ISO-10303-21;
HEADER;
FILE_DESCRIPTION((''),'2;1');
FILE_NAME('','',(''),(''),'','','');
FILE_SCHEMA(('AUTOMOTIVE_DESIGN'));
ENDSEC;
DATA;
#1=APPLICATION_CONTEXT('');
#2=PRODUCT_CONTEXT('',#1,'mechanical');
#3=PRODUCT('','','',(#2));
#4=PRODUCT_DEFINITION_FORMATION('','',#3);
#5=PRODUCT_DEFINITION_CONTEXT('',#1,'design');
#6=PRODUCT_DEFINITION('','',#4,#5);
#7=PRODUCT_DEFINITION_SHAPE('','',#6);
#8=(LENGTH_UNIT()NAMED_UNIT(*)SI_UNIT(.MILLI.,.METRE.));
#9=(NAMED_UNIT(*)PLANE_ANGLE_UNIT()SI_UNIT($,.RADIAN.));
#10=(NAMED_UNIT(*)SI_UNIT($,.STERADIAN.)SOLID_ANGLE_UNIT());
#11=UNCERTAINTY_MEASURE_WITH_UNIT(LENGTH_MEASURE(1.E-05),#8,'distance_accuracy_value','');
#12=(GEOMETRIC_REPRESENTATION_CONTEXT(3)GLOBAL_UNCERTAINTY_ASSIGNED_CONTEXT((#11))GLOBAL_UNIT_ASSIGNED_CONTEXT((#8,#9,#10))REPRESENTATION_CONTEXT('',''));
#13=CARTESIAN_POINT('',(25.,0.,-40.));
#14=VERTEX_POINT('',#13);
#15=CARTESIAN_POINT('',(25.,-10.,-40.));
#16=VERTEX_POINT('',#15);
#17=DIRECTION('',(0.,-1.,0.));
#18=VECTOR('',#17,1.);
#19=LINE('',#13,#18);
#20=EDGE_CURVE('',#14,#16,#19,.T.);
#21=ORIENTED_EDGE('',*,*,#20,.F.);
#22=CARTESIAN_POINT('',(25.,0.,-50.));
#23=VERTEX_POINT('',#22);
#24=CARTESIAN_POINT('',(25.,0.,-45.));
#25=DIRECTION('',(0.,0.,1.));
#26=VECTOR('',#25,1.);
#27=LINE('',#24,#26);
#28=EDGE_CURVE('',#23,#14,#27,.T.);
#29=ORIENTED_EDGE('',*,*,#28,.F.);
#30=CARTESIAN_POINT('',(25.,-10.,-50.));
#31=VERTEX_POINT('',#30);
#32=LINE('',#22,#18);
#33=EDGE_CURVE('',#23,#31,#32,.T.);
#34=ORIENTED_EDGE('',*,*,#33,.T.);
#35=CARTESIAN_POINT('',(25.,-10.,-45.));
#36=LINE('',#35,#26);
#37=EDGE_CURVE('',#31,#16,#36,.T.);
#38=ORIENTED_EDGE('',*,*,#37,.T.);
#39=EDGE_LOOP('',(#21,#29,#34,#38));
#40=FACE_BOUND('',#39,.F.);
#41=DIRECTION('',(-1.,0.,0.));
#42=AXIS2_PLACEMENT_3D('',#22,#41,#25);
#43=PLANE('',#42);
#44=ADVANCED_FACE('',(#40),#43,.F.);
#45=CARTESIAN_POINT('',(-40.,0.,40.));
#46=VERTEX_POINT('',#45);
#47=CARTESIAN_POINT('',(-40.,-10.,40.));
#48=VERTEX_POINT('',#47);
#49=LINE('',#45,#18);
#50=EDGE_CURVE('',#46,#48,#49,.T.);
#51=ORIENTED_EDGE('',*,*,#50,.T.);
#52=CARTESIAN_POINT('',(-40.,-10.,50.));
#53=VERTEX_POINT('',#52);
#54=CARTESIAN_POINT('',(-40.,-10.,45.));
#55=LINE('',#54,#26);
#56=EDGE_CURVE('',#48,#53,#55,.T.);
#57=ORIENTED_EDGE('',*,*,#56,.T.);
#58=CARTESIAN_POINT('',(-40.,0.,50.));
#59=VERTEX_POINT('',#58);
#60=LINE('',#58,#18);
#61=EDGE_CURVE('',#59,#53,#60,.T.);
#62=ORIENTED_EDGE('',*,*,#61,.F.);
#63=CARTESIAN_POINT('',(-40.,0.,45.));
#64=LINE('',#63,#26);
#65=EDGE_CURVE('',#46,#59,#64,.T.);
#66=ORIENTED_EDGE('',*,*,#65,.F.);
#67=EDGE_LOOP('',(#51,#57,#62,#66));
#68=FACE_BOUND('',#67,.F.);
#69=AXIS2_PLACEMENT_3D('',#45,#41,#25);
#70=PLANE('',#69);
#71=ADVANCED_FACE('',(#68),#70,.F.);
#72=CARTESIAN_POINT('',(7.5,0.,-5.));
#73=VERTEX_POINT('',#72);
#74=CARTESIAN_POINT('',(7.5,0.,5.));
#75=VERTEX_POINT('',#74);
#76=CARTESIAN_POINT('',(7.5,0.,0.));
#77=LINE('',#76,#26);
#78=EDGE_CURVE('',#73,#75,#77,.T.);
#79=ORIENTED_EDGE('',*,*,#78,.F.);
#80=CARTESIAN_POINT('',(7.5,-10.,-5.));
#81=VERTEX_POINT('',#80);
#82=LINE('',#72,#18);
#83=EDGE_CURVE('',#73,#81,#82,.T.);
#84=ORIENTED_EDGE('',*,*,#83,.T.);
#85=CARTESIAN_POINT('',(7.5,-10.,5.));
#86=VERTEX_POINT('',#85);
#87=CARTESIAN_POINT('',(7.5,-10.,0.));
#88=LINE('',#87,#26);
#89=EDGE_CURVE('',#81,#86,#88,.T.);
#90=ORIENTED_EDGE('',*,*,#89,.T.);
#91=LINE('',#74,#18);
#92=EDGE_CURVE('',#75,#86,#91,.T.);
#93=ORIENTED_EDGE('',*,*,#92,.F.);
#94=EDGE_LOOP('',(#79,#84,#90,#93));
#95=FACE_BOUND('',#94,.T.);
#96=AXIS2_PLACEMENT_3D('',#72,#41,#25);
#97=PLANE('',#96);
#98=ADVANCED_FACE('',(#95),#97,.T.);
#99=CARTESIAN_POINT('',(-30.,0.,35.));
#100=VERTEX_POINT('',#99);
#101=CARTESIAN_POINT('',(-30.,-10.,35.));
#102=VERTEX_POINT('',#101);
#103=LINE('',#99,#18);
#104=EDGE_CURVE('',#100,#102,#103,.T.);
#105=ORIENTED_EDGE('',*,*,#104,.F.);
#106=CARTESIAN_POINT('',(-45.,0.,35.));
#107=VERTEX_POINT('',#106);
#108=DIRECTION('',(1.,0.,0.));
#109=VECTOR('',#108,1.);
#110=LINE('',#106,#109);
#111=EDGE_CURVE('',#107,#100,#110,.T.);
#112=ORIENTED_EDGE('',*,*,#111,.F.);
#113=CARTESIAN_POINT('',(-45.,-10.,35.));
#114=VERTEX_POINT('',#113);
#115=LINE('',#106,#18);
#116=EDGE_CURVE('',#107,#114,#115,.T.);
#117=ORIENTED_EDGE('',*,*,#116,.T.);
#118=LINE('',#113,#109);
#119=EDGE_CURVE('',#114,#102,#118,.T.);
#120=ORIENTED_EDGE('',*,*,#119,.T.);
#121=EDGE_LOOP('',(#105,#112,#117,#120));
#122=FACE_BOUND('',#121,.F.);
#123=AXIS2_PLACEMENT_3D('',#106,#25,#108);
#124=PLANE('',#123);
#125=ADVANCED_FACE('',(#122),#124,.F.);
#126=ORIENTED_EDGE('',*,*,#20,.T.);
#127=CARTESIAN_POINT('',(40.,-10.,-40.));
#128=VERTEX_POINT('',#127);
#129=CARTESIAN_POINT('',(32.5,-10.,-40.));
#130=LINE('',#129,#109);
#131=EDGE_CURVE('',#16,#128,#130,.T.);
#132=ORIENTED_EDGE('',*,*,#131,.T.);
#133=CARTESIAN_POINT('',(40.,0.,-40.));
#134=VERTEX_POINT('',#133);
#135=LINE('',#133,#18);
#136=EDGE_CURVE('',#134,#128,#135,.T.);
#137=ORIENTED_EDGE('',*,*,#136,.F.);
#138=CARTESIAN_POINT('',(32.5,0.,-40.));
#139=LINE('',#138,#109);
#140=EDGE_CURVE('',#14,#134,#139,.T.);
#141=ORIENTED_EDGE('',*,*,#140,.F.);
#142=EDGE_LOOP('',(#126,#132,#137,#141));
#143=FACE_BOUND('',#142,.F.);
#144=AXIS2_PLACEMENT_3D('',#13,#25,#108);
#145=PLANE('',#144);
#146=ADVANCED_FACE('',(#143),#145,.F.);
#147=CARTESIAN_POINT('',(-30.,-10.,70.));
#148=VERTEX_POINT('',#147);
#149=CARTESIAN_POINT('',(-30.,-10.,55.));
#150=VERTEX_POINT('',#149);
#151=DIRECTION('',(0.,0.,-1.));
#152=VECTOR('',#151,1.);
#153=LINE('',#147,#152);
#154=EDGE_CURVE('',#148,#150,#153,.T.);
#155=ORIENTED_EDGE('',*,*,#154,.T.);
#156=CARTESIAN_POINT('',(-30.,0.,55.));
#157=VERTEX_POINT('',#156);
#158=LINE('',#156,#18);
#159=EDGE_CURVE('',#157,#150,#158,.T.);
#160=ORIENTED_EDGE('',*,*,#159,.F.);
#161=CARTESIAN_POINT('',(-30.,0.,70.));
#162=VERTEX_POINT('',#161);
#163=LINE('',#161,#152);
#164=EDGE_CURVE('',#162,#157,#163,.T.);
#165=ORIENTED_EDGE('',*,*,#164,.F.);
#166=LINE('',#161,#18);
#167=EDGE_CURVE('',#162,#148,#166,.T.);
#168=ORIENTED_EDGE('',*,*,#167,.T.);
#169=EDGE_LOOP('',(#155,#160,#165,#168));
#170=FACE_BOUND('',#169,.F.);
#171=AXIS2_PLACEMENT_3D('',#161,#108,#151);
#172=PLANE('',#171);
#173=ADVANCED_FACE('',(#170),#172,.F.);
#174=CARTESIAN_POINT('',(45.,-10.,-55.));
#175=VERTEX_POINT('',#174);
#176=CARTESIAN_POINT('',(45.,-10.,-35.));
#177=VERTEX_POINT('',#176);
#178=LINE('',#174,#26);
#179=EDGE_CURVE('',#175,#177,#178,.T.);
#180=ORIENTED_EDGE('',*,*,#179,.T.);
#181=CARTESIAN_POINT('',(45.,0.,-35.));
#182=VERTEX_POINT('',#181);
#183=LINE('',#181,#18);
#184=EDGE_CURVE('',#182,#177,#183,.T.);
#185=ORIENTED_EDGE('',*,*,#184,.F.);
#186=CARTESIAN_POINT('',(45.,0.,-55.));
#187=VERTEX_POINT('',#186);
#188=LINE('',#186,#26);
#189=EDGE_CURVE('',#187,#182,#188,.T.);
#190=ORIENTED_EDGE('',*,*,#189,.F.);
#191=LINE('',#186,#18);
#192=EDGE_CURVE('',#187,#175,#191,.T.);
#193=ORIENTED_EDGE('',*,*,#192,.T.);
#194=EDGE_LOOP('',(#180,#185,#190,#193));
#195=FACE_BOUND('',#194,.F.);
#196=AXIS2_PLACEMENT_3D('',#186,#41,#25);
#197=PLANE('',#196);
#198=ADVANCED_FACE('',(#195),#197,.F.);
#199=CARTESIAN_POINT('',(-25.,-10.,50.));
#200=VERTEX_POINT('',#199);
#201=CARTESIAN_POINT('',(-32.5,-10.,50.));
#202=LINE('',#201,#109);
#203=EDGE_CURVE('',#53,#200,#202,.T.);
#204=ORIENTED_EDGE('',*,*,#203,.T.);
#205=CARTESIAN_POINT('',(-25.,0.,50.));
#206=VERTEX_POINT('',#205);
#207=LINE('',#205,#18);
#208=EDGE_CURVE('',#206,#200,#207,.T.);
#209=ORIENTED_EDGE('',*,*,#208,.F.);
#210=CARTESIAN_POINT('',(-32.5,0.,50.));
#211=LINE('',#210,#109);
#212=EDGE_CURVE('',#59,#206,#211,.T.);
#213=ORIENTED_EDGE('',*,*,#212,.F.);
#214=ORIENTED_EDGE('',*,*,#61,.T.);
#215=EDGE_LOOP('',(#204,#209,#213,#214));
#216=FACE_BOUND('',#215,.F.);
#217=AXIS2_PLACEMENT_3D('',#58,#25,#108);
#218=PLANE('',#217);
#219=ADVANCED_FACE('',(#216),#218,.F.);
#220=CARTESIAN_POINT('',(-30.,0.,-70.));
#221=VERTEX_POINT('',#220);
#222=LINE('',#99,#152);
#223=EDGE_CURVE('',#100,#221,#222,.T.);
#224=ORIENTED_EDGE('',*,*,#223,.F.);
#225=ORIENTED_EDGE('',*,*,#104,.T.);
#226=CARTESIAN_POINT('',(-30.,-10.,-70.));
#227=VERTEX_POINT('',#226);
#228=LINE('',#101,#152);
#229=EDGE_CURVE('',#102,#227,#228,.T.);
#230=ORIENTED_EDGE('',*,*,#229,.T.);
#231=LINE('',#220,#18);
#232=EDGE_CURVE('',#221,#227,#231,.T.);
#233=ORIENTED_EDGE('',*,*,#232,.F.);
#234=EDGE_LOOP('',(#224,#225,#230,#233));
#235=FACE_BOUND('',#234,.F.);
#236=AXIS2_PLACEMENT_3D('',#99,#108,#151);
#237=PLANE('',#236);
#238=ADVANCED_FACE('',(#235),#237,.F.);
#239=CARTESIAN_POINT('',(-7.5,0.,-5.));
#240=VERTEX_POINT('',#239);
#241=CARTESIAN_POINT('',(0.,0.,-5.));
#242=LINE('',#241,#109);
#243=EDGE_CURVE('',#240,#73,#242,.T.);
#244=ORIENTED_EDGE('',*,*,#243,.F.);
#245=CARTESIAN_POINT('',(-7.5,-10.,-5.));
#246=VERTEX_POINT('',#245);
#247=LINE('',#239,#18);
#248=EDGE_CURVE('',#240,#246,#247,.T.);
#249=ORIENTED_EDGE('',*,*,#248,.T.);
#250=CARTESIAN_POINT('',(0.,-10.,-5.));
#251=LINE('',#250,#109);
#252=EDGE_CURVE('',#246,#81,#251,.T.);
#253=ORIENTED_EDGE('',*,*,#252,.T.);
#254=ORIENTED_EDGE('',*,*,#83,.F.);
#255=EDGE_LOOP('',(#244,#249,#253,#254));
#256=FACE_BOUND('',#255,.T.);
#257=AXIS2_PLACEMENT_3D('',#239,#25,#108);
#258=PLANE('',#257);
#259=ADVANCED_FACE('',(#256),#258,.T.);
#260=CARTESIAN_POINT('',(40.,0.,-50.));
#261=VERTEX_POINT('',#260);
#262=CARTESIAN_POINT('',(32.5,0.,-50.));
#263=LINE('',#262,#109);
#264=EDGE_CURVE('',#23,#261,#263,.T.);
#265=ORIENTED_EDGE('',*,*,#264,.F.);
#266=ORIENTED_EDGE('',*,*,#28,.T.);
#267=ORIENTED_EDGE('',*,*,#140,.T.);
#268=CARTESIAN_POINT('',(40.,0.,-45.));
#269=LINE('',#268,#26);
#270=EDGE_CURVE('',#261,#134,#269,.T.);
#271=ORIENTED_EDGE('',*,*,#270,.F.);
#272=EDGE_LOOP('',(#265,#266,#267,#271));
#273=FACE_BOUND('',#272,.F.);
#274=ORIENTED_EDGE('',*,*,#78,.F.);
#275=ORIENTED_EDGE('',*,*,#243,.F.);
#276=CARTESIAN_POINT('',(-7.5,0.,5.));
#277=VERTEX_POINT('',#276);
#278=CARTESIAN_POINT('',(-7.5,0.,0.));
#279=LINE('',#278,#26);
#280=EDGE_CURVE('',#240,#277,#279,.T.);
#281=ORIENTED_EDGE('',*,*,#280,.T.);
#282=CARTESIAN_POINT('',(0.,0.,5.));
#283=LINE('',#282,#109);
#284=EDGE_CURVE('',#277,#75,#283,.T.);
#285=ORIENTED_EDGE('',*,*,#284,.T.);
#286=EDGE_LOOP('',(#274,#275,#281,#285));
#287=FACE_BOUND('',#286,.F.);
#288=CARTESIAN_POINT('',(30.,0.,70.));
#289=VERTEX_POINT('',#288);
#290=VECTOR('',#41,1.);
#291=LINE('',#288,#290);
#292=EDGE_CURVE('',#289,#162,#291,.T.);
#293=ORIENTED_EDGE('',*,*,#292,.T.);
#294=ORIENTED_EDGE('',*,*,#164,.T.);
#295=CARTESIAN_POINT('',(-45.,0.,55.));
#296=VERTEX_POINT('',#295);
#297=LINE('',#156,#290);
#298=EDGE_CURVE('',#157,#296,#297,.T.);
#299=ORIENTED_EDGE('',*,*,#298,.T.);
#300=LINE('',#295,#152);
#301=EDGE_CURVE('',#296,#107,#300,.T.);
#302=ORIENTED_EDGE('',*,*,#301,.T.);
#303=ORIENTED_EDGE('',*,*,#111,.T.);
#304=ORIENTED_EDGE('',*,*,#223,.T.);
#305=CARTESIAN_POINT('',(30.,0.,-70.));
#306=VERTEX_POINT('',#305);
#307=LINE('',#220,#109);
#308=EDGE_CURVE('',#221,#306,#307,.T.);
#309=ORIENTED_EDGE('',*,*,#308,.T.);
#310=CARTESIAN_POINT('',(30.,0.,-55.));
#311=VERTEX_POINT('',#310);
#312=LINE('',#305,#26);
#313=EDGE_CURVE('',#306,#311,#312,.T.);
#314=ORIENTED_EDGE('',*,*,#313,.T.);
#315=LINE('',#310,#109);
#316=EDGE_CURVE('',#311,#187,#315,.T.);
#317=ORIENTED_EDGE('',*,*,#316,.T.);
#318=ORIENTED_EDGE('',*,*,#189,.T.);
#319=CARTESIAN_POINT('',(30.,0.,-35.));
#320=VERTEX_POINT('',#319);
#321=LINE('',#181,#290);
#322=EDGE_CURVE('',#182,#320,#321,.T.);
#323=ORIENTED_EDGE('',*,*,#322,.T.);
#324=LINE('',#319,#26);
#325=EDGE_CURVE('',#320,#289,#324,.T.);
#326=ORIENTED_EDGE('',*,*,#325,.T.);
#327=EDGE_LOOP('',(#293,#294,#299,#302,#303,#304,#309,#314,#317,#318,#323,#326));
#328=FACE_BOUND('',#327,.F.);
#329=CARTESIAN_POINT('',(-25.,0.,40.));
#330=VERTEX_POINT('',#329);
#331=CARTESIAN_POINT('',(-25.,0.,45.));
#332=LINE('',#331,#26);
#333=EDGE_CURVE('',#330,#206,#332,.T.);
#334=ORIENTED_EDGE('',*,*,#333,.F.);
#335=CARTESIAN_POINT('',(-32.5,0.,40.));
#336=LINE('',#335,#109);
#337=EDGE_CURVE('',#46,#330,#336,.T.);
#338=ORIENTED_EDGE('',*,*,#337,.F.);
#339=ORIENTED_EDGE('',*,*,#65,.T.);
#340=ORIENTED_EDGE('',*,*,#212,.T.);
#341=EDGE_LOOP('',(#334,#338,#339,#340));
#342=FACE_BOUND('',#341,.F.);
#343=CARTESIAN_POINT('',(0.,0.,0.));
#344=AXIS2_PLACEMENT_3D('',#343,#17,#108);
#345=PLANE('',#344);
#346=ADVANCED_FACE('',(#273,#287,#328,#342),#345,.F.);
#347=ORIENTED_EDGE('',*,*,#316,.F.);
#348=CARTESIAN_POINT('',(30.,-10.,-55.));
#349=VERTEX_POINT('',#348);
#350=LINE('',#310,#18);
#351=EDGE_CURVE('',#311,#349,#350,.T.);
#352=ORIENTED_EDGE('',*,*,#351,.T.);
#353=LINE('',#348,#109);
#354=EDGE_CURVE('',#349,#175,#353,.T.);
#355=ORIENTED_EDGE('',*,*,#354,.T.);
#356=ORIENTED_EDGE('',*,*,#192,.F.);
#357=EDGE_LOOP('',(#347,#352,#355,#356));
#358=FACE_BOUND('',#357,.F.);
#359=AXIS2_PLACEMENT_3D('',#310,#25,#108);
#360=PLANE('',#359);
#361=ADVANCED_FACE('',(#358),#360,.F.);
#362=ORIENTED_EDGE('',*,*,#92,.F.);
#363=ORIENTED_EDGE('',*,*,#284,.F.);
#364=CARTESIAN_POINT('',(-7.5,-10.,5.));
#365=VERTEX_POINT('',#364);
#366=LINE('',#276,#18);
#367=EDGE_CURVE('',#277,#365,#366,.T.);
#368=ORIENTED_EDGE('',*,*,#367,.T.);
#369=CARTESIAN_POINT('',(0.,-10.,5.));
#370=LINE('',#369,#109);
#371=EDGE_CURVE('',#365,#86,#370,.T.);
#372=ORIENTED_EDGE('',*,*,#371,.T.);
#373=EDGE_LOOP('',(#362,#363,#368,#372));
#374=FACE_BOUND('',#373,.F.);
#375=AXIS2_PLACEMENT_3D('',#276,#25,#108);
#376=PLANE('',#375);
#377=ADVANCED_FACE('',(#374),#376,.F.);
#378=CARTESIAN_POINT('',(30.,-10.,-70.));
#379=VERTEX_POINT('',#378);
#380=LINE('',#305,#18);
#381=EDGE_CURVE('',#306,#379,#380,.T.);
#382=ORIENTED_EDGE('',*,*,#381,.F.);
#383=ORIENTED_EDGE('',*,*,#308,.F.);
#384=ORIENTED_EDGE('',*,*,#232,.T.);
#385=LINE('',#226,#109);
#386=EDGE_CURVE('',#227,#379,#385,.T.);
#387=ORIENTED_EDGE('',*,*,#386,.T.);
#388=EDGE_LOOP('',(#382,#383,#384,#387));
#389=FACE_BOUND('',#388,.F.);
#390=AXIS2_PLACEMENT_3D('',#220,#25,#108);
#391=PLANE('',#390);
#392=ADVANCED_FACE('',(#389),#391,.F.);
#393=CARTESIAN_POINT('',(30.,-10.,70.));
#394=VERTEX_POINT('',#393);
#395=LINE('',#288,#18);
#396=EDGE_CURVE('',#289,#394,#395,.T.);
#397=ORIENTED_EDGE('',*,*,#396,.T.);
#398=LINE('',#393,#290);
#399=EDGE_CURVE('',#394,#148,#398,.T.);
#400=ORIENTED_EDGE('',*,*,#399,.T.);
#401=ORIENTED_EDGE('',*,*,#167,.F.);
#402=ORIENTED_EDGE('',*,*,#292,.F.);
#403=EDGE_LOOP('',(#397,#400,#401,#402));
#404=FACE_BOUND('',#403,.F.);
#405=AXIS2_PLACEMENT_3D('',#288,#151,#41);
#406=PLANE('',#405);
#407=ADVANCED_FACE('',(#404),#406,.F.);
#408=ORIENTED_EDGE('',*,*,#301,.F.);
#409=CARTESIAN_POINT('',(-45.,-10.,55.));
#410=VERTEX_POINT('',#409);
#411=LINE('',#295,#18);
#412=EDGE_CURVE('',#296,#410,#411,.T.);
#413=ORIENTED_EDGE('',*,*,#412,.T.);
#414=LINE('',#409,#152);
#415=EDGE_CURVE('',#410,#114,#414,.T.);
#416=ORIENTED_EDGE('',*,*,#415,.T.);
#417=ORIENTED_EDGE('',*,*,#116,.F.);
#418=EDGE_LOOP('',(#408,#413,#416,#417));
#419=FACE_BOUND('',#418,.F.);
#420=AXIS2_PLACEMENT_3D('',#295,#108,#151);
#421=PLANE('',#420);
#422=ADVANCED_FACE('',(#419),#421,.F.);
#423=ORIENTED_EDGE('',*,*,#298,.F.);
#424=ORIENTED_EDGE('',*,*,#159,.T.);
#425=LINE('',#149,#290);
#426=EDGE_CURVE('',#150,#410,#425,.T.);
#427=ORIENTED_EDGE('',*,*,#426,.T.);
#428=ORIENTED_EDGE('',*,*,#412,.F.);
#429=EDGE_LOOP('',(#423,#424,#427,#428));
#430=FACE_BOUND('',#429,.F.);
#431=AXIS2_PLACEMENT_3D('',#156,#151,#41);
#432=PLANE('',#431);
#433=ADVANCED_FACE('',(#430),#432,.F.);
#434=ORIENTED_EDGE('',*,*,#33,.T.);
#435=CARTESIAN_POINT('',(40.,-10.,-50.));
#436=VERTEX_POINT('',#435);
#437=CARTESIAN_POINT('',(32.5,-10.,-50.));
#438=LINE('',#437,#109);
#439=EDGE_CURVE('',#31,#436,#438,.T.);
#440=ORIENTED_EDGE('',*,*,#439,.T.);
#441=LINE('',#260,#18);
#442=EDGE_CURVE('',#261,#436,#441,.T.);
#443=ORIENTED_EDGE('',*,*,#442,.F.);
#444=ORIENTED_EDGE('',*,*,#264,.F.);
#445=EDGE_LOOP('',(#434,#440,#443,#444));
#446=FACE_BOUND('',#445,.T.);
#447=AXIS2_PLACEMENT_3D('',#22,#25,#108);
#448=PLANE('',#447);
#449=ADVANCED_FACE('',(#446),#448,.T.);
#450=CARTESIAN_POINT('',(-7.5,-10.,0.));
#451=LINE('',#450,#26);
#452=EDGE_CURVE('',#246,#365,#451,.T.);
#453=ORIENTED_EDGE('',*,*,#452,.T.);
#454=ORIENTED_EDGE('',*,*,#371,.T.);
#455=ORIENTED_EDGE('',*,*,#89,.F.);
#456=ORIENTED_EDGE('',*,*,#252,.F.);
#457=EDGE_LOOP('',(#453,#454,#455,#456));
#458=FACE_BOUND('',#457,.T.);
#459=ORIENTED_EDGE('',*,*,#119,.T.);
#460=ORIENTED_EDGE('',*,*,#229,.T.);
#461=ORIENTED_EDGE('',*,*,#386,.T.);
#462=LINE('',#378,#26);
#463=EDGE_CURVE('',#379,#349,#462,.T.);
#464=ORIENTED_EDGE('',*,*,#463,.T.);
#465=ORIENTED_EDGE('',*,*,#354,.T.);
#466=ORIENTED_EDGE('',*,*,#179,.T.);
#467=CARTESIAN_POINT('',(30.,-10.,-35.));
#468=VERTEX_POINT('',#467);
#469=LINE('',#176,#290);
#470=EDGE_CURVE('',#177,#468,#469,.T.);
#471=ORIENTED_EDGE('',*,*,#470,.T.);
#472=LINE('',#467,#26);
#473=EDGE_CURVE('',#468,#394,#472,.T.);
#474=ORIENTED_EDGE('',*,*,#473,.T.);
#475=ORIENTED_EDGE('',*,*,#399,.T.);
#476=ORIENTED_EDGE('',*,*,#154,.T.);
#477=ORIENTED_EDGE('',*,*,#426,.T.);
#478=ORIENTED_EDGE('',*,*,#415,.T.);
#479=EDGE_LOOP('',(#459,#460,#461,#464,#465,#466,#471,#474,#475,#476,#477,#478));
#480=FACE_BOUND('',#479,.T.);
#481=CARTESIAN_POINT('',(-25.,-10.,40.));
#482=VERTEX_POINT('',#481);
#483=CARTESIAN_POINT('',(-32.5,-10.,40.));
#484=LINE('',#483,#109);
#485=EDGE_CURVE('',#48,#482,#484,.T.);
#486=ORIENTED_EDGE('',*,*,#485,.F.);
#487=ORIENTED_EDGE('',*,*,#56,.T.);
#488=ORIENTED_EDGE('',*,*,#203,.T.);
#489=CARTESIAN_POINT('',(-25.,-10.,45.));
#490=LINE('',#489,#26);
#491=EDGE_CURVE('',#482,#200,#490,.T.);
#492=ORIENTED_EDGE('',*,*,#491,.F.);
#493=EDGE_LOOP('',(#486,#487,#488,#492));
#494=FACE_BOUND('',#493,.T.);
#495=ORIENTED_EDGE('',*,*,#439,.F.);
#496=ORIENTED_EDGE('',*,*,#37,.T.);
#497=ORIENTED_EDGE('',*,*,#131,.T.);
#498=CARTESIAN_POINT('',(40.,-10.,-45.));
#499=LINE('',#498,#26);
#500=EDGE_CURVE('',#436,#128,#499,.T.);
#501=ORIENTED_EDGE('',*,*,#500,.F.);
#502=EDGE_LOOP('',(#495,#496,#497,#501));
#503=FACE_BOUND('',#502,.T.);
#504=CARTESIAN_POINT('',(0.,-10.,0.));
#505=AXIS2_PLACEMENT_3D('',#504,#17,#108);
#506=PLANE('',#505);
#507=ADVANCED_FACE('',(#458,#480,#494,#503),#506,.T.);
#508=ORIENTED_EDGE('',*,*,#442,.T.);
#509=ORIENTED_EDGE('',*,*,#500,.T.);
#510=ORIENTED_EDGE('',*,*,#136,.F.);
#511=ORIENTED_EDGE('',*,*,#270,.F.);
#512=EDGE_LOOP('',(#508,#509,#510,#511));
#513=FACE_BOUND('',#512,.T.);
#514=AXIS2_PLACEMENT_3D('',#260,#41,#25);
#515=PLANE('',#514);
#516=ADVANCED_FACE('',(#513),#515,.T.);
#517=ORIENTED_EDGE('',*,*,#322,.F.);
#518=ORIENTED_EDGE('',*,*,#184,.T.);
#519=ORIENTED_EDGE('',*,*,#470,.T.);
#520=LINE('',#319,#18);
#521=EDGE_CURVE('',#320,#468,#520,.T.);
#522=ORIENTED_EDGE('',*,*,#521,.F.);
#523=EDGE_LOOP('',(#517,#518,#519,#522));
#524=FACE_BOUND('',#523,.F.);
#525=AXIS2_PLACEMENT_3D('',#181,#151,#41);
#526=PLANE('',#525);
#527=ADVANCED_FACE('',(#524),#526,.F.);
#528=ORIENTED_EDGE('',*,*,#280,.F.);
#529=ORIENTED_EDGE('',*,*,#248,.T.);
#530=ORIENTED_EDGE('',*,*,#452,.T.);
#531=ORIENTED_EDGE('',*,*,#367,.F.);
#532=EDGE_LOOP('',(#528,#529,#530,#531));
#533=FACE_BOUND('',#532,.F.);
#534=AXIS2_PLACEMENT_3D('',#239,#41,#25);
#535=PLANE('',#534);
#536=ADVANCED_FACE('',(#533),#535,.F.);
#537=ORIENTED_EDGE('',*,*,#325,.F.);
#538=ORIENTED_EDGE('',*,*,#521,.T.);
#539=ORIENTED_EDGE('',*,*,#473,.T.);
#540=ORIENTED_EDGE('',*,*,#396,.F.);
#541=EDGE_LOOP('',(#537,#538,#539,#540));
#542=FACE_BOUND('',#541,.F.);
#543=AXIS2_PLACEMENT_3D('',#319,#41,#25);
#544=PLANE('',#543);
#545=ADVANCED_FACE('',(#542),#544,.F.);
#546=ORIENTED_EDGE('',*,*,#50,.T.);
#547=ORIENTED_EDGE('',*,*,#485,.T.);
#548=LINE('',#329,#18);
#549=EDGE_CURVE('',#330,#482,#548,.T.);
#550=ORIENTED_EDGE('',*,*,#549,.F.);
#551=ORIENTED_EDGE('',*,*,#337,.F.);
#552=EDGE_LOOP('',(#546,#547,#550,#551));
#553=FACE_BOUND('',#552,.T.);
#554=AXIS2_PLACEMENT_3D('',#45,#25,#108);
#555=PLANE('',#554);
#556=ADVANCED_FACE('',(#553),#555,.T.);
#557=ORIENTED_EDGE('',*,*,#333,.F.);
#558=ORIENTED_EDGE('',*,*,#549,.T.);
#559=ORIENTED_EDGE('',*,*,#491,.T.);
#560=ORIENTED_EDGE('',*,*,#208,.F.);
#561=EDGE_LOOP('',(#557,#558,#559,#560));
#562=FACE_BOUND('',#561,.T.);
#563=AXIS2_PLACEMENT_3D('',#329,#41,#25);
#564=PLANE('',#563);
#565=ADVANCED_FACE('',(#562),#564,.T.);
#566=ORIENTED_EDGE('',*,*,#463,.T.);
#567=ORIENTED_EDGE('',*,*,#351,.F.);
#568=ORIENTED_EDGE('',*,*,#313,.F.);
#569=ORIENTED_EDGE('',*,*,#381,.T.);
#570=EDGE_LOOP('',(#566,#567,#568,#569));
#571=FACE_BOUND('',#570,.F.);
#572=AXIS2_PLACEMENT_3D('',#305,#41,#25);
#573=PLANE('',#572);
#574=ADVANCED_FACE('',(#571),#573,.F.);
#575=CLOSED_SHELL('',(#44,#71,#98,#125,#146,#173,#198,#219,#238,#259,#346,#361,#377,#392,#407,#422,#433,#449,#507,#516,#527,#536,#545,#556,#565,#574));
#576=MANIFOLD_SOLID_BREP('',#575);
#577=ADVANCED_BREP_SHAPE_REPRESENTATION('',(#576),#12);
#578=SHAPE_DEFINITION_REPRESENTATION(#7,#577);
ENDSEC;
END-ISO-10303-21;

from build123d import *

# Parameters (mm, degrees)
F0_W     = 15
F0_H     = 10
F1_DEPTH = 10


with BuildPart() as f1:
    # F0 (on Front) → F1 (new body)
    with BuildSketch(Plane.XZ):
        Polygon((30, 70), (-30, 70), (-30, 55), (-45, 55), (-45, 35), (-30, 35), (-30, -70), (30, -70), (30, -55), (45, -55), (45, -35), (30, -35), align=None)
        with Locations((32.5, -45)):
            Rectangle(F0_W, F0_H, mode=Mode.SUBTRACT)
        with Locations((-32.5, 45)):
            Rectangle(F0_W, F0_H, mode=Mode.SUBTRACT)
        Rectangle(F0_W, F0_H, mode=Mode.SUBTRACT)
    extrude(amount=F1_DEPTH)


solid = f1.part
